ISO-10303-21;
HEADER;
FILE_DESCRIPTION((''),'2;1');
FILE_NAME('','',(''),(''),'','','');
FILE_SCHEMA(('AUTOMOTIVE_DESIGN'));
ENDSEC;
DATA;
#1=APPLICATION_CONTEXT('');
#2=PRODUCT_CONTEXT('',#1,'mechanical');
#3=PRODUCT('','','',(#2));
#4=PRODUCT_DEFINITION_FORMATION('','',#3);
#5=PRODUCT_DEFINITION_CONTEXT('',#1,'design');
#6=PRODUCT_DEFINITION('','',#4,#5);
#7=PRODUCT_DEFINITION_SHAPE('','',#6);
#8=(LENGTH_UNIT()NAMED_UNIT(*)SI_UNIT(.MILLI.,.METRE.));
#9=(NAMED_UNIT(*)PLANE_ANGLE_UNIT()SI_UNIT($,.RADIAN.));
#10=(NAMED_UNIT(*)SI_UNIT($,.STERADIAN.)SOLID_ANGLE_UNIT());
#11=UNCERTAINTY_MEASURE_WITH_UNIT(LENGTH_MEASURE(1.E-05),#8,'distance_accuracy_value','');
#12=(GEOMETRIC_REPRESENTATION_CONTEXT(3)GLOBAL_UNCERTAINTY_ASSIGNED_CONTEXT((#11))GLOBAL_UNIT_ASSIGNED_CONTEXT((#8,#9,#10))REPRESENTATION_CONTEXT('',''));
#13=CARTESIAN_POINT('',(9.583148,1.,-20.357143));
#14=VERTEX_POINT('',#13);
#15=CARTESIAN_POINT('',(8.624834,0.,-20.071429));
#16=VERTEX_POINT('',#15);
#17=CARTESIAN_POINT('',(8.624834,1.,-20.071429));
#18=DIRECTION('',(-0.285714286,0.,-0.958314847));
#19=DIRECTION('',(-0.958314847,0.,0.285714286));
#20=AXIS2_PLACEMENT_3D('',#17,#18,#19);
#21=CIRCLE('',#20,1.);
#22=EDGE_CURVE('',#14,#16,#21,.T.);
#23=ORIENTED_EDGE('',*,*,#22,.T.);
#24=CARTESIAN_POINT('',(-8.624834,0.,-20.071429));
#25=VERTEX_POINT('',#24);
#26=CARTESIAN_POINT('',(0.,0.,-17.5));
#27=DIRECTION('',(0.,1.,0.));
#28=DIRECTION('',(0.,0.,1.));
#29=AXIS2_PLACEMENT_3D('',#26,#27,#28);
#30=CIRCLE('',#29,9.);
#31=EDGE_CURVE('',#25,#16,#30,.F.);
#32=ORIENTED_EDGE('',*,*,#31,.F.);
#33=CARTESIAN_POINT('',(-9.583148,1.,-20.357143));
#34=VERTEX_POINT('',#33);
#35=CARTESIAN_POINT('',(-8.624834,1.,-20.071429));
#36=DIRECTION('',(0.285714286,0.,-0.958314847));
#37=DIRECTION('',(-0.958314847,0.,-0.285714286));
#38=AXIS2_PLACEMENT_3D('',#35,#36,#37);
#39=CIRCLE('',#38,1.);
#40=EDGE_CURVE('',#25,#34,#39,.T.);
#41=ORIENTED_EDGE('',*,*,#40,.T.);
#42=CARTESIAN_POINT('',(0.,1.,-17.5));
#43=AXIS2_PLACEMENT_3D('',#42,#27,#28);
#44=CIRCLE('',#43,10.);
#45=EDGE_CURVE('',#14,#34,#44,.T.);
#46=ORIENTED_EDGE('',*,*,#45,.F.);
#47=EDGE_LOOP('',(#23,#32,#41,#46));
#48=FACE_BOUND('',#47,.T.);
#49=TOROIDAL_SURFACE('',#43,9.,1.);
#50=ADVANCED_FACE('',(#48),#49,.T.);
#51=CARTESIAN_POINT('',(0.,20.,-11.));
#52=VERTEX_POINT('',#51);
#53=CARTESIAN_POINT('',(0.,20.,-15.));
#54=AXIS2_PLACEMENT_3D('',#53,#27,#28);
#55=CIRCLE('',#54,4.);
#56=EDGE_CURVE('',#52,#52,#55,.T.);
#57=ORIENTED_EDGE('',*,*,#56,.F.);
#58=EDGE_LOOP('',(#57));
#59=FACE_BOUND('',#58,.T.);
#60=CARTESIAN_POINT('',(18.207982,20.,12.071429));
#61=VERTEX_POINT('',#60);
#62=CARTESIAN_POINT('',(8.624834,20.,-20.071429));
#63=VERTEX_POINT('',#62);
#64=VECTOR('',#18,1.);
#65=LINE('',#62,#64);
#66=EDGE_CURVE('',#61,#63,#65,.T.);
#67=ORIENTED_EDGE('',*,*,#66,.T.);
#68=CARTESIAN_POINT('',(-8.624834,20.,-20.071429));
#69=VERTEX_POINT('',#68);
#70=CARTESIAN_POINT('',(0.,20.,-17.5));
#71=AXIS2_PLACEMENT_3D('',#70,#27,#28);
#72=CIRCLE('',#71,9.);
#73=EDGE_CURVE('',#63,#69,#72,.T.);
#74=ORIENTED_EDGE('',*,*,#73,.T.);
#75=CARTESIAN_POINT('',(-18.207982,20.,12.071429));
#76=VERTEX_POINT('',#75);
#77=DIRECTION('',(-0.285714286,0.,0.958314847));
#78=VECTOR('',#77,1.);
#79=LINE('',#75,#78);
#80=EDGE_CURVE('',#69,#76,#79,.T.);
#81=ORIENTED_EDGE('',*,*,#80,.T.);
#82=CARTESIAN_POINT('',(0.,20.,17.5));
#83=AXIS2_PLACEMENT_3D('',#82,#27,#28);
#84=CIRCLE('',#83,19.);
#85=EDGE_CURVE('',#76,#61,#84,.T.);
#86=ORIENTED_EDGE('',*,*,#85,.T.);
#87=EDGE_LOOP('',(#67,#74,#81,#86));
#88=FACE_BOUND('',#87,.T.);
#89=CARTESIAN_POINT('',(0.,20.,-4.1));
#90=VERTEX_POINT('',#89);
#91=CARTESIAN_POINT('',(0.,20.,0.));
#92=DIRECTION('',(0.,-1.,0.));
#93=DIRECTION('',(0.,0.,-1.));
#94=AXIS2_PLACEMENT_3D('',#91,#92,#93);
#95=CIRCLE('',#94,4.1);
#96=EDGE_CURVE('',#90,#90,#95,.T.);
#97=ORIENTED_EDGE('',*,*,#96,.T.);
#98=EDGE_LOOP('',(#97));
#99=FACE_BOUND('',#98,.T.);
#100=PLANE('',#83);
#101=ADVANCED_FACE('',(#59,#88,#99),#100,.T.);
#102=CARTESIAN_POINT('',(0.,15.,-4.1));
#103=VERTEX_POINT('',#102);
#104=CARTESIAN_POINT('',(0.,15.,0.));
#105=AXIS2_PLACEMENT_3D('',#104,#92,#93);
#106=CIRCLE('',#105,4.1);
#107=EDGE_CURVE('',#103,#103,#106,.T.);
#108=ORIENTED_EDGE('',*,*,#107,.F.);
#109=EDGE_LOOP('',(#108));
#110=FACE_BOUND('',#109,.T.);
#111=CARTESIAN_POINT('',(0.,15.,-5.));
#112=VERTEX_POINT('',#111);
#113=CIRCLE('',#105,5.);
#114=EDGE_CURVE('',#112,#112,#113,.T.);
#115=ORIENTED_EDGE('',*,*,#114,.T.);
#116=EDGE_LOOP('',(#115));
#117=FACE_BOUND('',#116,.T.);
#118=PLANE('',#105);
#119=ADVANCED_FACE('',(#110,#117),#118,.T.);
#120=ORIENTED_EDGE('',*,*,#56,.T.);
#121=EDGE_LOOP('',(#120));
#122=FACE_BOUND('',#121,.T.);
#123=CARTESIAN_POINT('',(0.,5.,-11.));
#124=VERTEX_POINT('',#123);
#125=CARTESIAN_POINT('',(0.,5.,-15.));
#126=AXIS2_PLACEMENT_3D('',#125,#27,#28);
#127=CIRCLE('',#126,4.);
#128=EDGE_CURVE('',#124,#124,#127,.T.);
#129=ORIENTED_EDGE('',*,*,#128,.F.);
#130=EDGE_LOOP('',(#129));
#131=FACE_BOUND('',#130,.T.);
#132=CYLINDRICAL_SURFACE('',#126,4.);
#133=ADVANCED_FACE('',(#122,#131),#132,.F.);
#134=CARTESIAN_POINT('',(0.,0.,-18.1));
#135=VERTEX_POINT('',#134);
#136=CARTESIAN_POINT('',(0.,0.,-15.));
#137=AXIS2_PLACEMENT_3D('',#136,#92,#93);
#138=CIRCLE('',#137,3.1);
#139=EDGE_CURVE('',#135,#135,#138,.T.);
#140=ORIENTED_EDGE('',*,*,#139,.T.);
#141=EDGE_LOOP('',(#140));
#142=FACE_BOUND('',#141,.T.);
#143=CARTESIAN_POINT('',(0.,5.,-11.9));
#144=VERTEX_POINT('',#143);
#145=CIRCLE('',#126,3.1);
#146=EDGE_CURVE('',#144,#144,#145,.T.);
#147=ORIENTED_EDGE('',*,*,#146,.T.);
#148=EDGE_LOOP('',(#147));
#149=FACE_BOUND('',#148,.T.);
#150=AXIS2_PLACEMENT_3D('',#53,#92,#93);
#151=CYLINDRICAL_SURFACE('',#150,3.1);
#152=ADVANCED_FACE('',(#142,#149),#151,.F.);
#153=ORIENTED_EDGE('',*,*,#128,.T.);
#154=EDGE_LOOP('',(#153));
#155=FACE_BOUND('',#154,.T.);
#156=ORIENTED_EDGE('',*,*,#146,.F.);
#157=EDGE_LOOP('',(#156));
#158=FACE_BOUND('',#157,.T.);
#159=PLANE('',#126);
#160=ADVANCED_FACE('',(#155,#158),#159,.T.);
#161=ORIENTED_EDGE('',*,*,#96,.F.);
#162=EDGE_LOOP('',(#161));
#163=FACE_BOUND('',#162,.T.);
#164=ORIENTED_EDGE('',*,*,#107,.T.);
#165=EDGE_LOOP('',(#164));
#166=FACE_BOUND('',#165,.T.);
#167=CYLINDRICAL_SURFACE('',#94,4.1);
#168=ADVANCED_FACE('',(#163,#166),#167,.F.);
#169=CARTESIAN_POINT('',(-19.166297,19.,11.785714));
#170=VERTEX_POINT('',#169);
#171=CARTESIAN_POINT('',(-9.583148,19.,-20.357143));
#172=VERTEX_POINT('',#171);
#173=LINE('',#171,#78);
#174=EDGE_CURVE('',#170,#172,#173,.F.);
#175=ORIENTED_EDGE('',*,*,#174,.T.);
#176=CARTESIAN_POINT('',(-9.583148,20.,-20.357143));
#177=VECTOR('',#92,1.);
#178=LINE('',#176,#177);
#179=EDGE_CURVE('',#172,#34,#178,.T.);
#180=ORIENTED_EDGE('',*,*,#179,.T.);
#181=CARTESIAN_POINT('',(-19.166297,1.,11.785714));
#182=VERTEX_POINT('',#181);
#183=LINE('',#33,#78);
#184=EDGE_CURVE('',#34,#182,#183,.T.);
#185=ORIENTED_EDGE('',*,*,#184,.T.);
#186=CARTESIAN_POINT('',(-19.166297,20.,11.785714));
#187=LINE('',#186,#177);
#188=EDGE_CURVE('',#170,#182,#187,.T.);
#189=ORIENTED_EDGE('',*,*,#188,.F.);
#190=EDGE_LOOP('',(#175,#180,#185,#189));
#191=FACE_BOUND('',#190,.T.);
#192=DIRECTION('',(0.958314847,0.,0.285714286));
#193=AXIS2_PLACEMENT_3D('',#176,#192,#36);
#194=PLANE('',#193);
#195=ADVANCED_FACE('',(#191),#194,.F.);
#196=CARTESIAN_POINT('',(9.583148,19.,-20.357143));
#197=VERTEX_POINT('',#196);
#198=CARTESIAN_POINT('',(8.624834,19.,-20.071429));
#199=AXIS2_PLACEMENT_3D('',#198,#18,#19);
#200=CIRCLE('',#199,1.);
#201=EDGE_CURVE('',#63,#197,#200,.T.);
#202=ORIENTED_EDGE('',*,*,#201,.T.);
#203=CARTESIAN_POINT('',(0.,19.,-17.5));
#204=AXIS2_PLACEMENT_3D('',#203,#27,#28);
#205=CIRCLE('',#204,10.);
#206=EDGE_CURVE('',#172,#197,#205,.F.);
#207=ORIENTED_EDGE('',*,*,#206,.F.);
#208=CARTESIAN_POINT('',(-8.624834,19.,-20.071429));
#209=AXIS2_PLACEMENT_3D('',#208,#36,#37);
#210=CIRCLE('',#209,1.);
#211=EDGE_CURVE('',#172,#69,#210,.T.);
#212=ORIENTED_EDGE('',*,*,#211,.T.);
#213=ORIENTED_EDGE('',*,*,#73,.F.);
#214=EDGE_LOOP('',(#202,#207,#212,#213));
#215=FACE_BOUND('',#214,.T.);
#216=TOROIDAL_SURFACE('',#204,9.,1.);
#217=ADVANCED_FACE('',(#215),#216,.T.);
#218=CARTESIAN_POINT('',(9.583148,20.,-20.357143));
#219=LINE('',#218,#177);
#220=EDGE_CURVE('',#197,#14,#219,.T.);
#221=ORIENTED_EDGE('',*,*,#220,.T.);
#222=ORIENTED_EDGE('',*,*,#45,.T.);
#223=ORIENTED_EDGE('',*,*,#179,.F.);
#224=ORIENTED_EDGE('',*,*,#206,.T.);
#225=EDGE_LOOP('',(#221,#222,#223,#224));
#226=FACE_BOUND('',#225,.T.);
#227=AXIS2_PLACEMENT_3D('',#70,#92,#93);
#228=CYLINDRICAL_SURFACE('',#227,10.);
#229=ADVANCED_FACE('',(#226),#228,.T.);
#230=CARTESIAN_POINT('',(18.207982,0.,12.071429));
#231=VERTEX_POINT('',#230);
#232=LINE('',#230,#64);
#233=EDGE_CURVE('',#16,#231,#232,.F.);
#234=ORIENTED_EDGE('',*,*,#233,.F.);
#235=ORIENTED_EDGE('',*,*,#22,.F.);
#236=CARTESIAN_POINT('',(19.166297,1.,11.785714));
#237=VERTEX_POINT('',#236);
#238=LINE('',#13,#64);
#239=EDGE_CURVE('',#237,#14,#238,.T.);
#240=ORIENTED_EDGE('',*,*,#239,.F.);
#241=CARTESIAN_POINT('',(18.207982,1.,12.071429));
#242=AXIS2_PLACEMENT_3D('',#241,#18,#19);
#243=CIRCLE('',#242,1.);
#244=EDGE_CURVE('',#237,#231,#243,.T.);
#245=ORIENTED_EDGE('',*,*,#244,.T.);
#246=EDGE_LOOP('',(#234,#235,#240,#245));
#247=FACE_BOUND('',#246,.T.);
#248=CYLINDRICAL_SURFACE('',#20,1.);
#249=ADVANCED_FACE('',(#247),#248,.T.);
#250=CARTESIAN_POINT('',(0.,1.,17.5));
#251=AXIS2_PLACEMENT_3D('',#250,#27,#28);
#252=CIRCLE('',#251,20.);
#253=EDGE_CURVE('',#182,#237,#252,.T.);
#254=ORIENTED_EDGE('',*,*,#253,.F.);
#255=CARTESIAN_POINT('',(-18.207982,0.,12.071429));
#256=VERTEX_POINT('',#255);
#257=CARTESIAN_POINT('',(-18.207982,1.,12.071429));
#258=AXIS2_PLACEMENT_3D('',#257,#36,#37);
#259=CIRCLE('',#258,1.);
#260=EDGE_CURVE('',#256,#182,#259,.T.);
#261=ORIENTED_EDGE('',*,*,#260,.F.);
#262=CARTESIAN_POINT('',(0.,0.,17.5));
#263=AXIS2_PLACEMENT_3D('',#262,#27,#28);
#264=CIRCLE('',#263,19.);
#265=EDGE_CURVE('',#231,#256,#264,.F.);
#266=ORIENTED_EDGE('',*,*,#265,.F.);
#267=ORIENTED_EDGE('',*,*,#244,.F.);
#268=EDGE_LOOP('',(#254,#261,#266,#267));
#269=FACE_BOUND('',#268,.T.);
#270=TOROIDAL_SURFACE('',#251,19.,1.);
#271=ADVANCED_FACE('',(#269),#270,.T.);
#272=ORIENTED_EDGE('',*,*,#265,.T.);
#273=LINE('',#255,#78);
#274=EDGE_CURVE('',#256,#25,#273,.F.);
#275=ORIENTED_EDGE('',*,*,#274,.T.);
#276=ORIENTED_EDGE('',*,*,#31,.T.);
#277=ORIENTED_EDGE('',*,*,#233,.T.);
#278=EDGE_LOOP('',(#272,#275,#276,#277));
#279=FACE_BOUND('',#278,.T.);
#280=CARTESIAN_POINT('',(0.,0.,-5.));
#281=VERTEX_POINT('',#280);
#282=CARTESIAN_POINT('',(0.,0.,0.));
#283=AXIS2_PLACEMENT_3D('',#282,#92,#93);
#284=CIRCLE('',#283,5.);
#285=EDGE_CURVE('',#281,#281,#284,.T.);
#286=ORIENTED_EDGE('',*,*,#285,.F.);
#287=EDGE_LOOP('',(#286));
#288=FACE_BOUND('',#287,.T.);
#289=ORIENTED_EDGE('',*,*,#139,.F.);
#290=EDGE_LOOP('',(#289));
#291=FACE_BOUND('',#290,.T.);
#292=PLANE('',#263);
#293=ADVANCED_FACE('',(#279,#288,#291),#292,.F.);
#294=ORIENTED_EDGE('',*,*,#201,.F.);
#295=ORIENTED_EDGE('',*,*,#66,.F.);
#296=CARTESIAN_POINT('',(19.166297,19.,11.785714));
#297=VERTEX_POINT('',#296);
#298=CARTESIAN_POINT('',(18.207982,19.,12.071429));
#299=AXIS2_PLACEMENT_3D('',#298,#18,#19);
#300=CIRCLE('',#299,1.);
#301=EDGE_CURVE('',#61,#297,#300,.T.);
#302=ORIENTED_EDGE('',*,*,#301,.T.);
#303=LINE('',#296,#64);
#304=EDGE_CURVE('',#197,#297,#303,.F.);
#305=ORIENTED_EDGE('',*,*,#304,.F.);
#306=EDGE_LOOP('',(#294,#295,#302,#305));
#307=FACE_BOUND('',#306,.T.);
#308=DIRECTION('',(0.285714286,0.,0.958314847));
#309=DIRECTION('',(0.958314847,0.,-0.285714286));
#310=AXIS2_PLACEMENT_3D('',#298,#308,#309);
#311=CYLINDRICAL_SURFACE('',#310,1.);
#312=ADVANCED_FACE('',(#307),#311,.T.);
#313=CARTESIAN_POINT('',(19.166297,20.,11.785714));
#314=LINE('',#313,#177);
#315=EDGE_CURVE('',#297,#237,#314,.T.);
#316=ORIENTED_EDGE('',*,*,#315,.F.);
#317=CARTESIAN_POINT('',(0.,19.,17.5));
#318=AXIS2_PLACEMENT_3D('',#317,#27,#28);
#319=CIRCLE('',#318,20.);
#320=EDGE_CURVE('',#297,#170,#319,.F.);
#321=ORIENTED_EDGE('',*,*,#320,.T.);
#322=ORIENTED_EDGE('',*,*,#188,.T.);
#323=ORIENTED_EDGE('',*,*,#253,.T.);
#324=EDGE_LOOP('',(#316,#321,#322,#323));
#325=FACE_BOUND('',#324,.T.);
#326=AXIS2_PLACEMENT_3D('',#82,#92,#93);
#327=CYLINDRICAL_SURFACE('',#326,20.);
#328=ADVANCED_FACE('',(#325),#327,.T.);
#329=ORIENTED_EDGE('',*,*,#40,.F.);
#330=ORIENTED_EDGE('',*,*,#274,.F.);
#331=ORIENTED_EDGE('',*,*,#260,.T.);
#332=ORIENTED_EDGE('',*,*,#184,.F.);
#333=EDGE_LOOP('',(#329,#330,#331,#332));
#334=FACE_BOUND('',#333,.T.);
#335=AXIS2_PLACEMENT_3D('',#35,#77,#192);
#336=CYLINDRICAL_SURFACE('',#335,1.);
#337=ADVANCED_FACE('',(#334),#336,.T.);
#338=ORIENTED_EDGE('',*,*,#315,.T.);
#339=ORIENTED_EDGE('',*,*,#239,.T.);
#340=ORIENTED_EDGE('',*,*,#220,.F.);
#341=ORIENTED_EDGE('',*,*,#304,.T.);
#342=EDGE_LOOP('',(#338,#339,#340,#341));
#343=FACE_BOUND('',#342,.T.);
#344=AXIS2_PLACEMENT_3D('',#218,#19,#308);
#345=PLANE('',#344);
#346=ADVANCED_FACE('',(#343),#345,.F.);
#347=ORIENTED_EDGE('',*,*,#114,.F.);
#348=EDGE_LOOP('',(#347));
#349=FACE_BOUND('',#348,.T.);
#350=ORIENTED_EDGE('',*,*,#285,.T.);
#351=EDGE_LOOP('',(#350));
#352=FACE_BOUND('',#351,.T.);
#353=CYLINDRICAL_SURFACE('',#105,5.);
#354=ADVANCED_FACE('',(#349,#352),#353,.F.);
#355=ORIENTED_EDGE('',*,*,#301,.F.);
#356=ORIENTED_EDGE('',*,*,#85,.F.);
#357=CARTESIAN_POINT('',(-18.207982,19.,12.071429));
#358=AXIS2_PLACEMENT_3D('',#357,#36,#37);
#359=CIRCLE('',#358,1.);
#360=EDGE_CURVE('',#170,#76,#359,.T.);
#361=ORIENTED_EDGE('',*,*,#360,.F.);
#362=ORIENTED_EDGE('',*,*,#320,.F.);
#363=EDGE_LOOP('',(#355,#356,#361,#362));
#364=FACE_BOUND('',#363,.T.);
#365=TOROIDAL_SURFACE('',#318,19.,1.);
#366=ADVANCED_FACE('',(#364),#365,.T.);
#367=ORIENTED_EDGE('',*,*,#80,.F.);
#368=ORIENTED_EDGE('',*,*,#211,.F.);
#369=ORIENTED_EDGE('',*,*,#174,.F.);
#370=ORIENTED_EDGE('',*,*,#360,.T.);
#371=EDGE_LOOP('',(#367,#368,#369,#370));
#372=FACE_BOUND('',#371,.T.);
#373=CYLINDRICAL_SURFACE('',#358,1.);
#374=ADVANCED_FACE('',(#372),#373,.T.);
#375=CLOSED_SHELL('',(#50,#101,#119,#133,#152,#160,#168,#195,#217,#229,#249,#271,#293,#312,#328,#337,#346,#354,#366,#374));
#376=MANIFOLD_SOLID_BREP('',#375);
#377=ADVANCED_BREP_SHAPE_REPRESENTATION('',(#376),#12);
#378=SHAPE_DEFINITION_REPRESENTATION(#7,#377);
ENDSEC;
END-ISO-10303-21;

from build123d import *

# Parameters (mm, degrees)
BOSS_EXTRUDE1_DEPTH     = 20
FILLET1_R               = 1
SKETCH2_R               = 4
CUT_EXTRUDE1_DEPTH      = 15
SKETCH3_R               = 5
CUT_EXTRUDE2_DEPTH      = 15
CUT_EXTRUDE3_DEPTH      = 46.069390988
CUT_EXTRUDE3_DEPTH_BACK = 46.069390988
SKETCH4_R               = 4.1
SKETCH4_R_2             = 3.1


with BuildPart() as part:
    # Sketch1 → Boss-Extrude1 (new body)
    with BuildSketch(Plane(origin=(0, 0, 0), x_dir=(1, 0, 0), z_dir=(0, 1, 0))):
        with BuildLine():
            Line((-9.583148475, 20.357142857), (-19.16629695, -11.785714286))
            ThreePointArc((-19.16629695, -11.785714286), (0, -37.5), (19.16629695, -11.785714286))
            Line((19.16629695, -11.785714286), (9.583148475, 20.357142857))
            ThreePointArc((9.583148475, 20.357142857), (0, 27.5), (-9.583148475, 20.357142857))
        make_face()
    extrude(amount=BOSS_EXTRUDE1_DEPTH)

    # Fillet1
    fillet1_edges = [part.edges().sort_by_distance(p)[0] for p in [
        (0, 20, -27.5),
        (-14.374722712, 20, -4.285714286),
        (0, 20, 37.5),
        (-14.374722712, 0, -4.285714286),
        (0, 0, -27.5),
        (14.374722712, 0, -4.285714286),
        (0, 0, 37.5),
        (14.374722712, 20, -4.285714286),
    ]]
    fillet(fillet1_edges, radius=FILLET1_R)

    # Sketch2 → Cut-Extrude1 (cut)
    with BuildSketch(Plane(origin=(0, 20, 0), x_dir=(1, 0, 0), z_dir=(0, 1, 0))):
        with Locations(Location((0, 15, 0), (0, 0, 270))):
            Circle(SKETCH2_R)
    extrude(amount=-CUT_EXTRUDE1_DEPTH, mode=Mode.SUBTRACT)

    # Sketch3 → Cut-Extrude2 (cut)
    with BuildSketch(Plane.XZ):
        with Locations(Location((0, 0, 0), (0, 0, 270))):
            Circle(SKETCH3_R)
    extrude(amount=-CUT_EXTRUDE2_DEPTH, mode=Mode.SUBTRACT)

    # Sketch4 → Cut-Extrude3 (cut, two sides: drawn at the far end of the back side and taken through both)
    with BuildSketch(Plane.XZ.offset(-15).offset(-CUT_EXTRUDE3_DEPTH_BACK)):
        with Locations(Location((0, 0, 0), (0, 0, 270))):
            Circle(SKETCH4_R)
        with Locations(Location((0, -15, 0), (0, 0, 270))):
            Circle(SKETCH4_R_2)
    extrude(amount=CUT_EXTRUDE3_DEPTH + CUT_EXTRUDE3_DEPTH_BACK, mode=Mode.SUBTRACT)


solid = part.part
